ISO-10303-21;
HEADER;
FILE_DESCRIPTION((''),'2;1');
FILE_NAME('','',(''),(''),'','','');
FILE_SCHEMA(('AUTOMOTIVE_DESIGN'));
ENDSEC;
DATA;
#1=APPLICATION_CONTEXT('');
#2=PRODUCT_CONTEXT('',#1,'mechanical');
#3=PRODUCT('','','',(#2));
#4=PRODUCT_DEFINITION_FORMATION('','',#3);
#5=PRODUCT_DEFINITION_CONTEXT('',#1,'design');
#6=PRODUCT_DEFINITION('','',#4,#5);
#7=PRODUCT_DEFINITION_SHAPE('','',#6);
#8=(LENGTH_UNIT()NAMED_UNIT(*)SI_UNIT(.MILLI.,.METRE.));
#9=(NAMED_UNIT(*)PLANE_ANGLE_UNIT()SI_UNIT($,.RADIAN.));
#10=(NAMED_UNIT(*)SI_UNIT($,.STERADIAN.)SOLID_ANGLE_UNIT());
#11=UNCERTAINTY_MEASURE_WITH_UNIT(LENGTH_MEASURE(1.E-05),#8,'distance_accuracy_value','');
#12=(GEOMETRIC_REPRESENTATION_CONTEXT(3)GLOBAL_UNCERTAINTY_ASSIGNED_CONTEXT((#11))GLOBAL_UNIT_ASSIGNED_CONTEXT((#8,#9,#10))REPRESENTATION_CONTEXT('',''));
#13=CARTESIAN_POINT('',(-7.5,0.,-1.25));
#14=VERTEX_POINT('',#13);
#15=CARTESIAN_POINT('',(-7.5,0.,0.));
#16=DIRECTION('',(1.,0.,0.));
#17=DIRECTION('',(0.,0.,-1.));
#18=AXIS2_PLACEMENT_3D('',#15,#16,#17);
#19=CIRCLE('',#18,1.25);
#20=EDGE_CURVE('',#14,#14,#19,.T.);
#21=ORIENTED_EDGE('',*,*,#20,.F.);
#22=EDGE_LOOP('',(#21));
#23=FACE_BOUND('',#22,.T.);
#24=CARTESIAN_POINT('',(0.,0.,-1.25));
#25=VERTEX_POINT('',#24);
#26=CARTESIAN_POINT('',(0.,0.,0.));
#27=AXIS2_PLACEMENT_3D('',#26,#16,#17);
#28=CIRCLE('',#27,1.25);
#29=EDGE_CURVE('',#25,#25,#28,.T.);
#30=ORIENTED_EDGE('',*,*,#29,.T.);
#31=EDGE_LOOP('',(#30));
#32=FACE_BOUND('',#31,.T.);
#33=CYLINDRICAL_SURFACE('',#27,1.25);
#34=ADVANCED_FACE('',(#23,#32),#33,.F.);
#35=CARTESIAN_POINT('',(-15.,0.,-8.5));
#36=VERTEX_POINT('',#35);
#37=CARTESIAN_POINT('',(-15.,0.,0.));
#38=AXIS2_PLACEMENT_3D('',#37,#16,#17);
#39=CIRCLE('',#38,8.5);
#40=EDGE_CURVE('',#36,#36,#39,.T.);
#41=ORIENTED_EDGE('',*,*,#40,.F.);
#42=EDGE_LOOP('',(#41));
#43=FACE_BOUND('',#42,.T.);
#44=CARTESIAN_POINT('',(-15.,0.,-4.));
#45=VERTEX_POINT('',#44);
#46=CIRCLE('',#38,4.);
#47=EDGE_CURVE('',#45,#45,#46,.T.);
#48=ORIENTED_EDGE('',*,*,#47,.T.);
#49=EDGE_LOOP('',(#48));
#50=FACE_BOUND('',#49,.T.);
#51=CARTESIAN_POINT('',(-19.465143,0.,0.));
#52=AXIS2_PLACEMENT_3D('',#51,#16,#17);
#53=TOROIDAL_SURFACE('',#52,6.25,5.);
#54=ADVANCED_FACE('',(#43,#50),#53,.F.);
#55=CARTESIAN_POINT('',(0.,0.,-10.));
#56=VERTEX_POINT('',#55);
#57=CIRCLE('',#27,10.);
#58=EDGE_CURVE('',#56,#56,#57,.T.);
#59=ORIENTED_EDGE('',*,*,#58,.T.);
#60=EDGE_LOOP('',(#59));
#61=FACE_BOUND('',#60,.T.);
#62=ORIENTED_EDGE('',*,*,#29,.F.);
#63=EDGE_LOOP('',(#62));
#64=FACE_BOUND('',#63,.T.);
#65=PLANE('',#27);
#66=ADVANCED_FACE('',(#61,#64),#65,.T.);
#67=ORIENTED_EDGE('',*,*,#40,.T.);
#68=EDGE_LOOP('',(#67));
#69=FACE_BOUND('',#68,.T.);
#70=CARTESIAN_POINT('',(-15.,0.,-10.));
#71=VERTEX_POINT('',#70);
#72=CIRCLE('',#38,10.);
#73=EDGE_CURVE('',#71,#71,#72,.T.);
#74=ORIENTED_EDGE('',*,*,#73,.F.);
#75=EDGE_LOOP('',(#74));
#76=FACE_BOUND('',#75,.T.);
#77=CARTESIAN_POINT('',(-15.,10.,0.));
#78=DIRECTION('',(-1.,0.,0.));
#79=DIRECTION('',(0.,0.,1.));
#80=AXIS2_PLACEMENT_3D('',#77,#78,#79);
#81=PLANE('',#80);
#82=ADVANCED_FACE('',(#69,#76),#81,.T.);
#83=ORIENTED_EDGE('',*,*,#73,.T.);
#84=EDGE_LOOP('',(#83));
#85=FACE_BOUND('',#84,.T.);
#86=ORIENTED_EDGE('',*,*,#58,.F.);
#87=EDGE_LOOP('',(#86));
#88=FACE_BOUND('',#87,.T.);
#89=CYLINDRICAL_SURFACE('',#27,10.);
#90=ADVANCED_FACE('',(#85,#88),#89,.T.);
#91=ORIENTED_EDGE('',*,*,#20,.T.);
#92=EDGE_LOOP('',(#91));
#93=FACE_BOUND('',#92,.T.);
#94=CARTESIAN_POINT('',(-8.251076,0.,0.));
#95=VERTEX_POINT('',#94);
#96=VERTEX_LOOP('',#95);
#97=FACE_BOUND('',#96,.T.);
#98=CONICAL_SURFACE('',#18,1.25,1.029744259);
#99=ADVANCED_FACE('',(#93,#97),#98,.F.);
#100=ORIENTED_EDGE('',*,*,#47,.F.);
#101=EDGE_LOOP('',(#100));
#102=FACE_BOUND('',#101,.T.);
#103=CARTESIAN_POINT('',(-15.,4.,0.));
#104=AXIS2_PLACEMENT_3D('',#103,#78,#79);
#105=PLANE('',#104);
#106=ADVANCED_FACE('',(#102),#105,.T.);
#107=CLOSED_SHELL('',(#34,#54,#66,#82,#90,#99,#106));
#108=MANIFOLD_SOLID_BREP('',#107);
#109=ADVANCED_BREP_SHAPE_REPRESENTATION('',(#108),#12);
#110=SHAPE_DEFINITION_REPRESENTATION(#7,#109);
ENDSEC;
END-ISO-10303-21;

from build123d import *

# Parameters (mm, degrees)
M3_TAPPED_HOLE1_D     = 2.5
M3_TAPPED_HOLE1_DEPTH = 7.5
M3_TAPPED_HOLE1_TIP   = 0.751075774


with BuildPart() as part:
    # Sketch1 → Revolve1 (revolve)
    with BuildSketch(Plane.XY, mode=Mode.PRIVATE) as revolve1_sk:
        with BuildLine():
            Line((0, 0), (0, 10))
            Line((0, 10), (-15, 10))
            Line((-15, 10), (-15, 8.5))
            ThreePointArc((-15, 8.5), (-14.465142775, 6.25), (-15, 4))
            Line((-15, 4), (-15, 0))
            Line((-15, 0), (0, 0))
        make_face()
    revolve(revolve1_sk.sketch.rotate(Axis((0, 0, 0), (-1, 0, 0)), 90), axis=Axis((0, 0, 0), (-1, 0, 0)))

    # M3 Tapped Hole1
    with Locations(Plane(origin=(0, 0, 0), x_dir=(0, 0, -1), z_dir=(1, 0, 0))):
        with Locations((0, 0)):
            Hole(M3_TAPPED_HOLE1_D / 2, depth=M3_TAPPED_HOLE1_DEPTH)
            with Locations((0, 0, -(M3_TAPPED_HOLE1_DEPTH + M3_TAPPED_HOLE1_TIP / 2))):  # 118° drill point
                Cone(0, M3_TAPPED_HOLE1_D / 2, M3_TAPPED_HOLE1_TIP, mode=Mode.SUBTRACT)


solid = part.part
